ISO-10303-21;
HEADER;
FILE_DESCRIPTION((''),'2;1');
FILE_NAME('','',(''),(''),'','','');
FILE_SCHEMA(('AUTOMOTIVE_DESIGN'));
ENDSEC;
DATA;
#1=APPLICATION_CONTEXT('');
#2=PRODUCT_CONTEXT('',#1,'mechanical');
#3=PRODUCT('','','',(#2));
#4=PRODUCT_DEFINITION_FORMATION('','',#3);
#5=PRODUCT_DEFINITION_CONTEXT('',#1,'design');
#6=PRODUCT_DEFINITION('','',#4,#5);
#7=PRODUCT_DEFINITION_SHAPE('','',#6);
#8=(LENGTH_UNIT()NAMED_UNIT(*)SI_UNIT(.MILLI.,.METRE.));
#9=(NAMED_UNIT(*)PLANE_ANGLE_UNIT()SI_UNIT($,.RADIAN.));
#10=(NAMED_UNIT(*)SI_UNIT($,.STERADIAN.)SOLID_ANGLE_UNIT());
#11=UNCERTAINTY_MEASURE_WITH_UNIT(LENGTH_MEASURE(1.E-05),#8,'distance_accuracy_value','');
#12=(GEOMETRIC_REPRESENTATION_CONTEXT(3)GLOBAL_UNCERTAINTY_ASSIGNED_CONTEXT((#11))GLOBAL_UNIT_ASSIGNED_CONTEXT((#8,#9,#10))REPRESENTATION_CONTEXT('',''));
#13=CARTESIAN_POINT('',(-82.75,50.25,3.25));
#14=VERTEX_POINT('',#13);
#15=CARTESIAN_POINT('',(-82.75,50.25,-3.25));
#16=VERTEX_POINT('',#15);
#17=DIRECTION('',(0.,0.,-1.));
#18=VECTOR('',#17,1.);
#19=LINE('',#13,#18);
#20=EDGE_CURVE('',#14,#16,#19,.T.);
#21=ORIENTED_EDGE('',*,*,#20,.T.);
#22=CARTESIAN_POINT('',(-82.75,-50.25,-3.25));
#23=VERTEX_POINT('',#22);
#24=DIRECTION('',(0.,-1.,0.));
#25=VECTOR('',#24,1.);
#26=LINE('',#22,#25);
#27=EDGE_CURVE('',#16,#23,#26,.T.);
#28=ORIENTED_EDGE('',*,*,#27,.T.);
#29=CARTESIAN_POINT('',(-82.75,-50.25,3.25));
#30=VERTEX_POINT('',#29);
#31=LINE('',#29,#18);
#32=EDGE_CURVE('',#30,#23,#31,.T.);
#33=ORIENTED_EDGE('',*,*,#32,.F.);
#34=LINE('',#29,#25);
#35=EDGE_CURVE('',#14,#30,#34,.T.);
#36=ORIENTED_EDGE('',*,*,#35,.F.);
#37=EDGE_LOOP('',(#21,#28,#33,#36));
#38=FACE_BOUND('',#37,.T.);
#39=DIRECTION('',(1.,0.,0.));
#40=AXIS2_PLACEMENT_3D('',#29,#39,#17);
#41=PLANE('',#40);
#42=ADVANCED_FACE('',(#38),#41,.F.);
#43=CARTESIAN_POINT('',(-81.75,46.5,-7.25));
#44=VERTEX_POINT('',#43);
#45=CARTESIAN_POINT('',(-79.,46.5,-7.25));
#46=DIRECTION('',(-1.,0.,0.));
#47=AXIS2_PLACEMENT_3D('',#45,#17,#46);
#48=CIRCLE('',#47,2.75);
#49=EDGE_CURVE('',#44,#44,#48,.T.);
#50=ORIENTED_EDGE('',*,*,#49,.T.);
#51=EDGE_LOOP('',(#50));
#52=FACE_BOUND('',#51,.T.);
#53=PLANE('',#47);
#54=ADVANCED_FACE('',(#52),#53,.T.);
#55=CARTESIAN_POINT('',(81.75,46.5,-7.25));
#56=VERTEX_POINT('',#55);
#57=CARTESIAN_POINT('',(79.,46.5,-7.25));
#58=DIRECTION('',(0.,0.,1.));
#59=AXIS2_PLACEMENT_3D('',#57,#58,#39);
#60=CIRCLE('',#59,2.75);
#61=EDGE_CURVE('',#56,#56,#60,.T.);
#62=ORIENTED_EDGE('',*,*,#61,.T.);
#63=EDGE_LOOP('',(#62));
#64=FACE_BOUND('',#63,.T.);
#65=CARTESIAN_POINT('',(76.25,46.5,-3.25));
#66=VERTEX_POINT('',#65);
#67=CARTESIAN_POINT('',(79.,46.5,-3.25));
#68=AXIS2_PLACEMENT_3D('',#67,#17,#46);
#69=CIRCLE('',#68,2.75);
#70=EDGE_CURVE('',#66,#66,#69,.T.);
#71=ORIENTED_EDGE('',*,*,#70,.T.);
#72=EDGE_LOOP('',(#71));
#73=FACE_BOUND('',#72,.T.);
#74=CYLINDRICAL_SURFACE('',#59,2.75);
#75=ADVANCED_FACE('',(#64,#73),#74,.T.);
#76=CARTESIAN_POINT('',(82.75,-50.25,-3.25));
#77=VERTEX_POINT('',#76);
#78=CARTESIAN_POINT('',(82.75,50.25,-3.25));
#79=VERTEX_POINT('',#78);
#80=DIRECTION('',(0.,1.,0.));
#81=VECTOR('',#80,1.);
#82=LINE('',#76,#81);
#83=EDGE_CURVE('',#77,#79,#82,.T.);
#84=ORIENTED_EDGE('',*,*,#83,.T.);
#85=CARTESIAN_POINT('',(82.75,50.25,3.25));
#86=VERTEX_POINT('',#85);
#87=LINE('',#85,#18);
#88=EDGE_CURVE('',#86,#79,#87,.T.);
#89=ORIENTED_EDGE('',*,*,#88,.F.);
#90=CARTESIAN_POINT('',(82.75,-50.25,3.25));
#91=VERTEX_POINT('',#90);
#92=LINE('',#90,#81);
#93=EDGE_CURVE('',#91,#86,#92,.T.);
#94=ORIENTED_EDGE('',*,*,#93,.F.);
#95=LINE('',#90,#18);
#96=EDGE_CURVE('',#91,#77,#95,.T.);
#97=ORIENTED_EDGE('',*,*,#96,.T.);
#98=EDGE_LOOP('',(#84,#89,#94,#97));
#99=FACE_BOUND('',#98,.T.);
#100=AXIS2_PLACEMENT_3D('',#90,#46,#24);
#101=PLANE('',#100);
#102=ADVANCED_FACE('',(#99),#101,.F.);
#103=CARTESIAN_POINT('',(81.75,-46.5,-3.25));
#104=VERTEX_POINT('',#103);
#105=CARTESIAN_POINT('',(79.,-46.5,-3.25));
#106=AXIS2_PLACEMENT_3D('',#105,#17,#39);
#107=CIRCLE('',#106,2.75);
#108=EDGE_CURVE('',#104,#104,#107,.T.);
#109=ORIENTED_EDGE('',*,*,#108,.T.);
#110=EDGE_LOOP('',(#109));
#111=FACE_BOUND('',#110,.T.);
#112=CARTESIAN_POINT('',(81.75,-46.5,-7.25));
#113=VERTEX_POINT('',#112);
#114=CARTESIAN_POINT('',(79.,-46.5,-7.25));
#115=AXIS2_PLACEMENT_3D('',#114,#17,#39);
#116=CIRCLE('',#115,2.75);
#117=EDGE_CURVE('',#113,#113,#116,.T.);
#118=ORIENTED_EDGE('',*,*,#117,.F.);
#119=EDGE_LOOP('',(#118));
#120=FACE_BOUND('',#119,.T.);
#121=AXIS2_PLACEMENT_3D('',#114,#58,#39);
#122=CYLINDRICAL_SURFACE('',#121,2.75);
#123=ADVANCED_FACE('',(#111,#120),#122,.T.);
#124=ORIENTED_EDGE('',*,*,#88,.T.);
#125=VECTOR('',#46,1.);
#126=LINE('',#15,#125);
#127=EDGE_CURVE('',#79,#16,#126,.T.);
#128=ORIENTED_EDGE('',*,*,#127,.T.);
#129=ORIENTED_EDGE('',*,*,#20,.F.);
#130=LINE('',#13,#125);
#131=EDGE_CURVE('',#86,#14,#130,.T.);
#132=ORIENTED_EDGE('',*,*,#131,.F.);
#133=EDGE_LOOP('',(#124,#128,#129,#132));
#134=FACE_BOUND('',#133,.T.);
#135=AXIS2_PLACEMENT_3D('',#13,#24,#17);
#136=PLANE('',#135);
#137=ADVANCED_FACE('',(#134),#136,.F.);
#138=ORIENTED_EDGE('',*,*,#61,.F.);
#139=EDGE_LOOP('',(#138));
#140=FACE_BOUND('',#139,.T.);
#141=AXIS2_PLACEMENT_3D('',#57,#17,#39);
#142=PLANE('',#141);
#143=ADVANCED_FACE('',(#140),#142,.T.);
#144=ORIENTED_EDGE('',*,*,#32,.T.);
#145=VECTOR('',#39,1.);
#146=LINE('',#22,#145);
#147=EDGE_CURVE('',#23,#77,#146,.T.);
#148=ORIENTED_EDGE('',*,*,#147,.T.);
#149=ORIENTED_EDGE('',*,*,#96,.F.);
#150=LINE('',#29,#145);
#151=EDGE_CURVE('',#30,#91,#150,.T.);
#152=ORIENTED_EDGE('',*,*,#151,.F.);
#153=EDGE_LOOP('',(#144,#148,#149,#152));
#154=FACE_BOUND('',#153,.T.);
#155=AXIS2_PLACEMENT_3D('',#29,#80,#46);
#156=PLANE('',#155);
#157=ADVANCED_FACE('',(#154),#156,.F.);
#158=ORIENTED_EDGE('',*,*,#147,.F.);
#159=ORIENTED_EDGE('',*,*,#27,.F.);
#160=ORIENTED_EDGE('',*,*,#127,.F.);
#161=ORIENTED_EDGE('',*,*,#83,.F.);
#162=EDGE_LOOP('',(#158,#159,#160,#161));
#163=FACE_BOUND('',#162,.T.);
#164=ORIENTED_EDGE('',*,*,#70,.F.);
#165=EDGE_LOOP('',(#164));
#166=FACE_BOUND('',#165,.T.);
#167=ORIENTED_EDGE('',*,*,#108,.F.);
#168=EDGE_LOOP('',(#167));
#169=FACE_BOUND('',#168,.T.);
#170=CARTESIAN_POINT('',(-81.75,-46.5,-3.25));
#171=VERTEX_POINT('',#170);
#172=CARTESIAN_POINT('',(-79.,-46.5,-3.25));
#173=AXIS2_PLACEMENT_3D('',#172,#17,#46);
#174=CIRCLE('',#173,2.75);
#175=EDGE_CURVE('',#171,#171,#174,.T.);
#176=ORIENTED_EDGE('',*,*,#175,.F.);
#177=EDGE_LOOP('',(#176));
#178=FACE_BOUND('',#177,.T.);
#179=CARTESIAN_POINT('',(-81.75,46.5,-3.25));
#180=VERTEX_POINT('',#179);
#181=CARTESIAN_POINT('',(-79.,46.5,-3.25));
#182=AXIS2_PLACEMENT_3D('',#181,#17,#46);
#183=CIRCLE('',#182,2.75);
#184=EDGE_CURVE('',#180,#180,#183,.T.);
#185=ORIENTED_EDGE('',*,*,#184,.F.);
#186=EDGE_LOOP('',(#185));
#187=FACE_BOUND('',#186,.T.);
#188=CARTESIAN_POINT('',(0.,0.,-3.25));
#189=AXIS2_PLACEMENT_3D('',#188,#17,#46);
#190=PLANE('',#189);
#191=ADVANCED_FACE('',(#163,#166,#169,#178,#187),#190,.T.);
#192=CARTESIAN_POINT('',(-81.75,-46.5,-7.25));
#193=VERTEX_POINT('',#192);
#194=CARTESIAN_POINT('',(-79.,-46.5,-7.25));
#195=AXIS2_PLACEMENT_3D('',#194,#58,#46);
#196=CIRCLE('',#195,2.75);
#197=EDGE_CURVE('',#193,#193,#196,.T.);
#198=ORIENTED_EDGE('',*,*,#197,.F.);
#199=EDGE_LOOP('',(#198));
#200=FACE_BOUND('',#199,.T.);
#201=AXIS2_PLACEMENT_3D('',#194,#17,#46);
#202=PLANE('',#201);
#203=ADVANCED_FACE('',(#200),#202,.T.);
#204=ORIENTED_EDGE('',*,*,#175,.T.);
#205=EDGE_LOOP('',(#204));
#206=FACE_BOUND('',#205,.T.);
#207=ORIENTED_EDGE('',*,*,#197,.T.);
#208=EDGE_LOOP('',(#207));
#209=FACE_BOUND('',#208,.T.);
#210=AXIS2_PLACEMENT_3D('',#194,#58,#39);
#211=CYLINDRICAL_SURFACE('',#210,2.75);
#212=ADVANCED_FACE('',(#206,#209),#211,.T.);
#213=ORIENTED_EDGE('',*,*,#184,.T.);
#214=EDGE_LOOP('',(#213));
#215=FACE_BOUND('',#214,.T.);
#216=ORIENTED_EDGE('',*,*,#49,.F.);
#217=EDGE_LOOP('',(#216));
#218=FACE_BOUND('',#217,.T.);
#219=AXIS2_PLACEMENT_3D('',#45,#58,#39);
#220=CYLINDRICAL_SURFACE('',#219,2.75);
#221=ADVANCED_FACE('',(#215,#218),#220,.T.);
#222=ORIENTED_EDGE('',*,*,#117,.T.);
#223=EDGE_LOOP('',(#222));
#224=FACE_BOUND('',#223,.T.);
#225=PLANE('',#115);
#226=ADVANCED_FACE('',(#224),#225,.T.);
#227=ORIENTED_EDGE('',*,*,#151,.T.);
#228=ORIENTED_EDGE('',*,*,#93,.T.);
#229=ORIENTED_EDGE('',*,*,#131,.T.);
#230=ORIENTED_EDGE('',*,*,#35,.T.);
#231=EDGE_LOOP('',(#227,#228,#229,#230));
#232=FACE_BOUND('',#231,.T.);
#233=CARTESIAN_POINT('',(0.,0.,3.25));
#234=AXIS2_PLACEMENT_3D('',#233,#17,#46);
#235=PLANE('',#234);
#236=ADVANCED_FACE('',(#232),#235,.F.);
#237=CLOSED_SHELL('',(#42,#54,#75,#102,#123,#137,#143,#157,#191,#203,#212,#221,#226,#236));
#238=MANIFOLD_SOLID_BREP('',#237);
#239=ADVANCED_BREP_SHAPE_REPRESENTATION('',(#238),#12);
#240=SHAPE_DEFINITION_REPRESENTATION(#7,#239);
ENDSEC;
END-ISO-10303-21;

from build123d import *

# Parameters (mm, degrees)
SKETCH_1_W                                 = 165.5
SKETCH_1_H                                 = 100.5
EXTRUDE_1_DEPTH                            = 3.25
SKETCH_2_R                                 = 2.75
EXTRUDE_2_DEPTH                            = 4
MIRROR_1_AT_THE_SECOND_PLANE_COPY_1_SKET_R = 2.75
MIRROR_1_AT_THE_SECOND_PLANE_COPY_1_DEPTH  = 4


with BuildPart() as part:
    # 草图1 → 凸台-拉伸1 (new, symmetric)
    with BuildSketch(Plane.XY):
        Rectangle(SKETCH_1_W, SKETCH_1_H)
    extrude(amount=EXTRUDE_1_DEPTH, both=True)

    # 草图2 → 凸台-拉伸2 (add)
    with BuildSketch(Plane(origin=(0, 0, -3.25), x_dir=(-1, 0, 0), z_dir=(0, 0, -1))):
        with Locations((79, 46.5)):
            Circle(SKETCH_2_R)
    extrude_2 = extrude(amount=EXTRUDE_2_DEPTH)

    # 镜向1: 凸台-拉伸2 across plane
    add(extrude_2.mirror(Plane.ZX))

    # 镜向1 at the second plane: 凸台-拉伸2 across plane
    add(extrude_2.mirror(Plane(origin=(0, 0, 0), x_dir=(0, 0, 1), z_dir=(1, 0, 0))))

    # 镜向1 at the second plane copy 1 sket → 镜向1 at the second plane copy 1 (add)
    with BuildSketch(Plane(origin=(0, 0, -3.25), x_dir=(1, 0, 0), z_dir=(0, 0, -1))):
        with Locations((79, 46.5)):
            Circle(MIRROR_1_AT_THE_SECOND_PLANE_COPY_1_SKET_R)
    extrude(amount=MIRROR_1_AT_THE_SECOND_PLANE_COPY_1_DEPTH)


solid = part.part
